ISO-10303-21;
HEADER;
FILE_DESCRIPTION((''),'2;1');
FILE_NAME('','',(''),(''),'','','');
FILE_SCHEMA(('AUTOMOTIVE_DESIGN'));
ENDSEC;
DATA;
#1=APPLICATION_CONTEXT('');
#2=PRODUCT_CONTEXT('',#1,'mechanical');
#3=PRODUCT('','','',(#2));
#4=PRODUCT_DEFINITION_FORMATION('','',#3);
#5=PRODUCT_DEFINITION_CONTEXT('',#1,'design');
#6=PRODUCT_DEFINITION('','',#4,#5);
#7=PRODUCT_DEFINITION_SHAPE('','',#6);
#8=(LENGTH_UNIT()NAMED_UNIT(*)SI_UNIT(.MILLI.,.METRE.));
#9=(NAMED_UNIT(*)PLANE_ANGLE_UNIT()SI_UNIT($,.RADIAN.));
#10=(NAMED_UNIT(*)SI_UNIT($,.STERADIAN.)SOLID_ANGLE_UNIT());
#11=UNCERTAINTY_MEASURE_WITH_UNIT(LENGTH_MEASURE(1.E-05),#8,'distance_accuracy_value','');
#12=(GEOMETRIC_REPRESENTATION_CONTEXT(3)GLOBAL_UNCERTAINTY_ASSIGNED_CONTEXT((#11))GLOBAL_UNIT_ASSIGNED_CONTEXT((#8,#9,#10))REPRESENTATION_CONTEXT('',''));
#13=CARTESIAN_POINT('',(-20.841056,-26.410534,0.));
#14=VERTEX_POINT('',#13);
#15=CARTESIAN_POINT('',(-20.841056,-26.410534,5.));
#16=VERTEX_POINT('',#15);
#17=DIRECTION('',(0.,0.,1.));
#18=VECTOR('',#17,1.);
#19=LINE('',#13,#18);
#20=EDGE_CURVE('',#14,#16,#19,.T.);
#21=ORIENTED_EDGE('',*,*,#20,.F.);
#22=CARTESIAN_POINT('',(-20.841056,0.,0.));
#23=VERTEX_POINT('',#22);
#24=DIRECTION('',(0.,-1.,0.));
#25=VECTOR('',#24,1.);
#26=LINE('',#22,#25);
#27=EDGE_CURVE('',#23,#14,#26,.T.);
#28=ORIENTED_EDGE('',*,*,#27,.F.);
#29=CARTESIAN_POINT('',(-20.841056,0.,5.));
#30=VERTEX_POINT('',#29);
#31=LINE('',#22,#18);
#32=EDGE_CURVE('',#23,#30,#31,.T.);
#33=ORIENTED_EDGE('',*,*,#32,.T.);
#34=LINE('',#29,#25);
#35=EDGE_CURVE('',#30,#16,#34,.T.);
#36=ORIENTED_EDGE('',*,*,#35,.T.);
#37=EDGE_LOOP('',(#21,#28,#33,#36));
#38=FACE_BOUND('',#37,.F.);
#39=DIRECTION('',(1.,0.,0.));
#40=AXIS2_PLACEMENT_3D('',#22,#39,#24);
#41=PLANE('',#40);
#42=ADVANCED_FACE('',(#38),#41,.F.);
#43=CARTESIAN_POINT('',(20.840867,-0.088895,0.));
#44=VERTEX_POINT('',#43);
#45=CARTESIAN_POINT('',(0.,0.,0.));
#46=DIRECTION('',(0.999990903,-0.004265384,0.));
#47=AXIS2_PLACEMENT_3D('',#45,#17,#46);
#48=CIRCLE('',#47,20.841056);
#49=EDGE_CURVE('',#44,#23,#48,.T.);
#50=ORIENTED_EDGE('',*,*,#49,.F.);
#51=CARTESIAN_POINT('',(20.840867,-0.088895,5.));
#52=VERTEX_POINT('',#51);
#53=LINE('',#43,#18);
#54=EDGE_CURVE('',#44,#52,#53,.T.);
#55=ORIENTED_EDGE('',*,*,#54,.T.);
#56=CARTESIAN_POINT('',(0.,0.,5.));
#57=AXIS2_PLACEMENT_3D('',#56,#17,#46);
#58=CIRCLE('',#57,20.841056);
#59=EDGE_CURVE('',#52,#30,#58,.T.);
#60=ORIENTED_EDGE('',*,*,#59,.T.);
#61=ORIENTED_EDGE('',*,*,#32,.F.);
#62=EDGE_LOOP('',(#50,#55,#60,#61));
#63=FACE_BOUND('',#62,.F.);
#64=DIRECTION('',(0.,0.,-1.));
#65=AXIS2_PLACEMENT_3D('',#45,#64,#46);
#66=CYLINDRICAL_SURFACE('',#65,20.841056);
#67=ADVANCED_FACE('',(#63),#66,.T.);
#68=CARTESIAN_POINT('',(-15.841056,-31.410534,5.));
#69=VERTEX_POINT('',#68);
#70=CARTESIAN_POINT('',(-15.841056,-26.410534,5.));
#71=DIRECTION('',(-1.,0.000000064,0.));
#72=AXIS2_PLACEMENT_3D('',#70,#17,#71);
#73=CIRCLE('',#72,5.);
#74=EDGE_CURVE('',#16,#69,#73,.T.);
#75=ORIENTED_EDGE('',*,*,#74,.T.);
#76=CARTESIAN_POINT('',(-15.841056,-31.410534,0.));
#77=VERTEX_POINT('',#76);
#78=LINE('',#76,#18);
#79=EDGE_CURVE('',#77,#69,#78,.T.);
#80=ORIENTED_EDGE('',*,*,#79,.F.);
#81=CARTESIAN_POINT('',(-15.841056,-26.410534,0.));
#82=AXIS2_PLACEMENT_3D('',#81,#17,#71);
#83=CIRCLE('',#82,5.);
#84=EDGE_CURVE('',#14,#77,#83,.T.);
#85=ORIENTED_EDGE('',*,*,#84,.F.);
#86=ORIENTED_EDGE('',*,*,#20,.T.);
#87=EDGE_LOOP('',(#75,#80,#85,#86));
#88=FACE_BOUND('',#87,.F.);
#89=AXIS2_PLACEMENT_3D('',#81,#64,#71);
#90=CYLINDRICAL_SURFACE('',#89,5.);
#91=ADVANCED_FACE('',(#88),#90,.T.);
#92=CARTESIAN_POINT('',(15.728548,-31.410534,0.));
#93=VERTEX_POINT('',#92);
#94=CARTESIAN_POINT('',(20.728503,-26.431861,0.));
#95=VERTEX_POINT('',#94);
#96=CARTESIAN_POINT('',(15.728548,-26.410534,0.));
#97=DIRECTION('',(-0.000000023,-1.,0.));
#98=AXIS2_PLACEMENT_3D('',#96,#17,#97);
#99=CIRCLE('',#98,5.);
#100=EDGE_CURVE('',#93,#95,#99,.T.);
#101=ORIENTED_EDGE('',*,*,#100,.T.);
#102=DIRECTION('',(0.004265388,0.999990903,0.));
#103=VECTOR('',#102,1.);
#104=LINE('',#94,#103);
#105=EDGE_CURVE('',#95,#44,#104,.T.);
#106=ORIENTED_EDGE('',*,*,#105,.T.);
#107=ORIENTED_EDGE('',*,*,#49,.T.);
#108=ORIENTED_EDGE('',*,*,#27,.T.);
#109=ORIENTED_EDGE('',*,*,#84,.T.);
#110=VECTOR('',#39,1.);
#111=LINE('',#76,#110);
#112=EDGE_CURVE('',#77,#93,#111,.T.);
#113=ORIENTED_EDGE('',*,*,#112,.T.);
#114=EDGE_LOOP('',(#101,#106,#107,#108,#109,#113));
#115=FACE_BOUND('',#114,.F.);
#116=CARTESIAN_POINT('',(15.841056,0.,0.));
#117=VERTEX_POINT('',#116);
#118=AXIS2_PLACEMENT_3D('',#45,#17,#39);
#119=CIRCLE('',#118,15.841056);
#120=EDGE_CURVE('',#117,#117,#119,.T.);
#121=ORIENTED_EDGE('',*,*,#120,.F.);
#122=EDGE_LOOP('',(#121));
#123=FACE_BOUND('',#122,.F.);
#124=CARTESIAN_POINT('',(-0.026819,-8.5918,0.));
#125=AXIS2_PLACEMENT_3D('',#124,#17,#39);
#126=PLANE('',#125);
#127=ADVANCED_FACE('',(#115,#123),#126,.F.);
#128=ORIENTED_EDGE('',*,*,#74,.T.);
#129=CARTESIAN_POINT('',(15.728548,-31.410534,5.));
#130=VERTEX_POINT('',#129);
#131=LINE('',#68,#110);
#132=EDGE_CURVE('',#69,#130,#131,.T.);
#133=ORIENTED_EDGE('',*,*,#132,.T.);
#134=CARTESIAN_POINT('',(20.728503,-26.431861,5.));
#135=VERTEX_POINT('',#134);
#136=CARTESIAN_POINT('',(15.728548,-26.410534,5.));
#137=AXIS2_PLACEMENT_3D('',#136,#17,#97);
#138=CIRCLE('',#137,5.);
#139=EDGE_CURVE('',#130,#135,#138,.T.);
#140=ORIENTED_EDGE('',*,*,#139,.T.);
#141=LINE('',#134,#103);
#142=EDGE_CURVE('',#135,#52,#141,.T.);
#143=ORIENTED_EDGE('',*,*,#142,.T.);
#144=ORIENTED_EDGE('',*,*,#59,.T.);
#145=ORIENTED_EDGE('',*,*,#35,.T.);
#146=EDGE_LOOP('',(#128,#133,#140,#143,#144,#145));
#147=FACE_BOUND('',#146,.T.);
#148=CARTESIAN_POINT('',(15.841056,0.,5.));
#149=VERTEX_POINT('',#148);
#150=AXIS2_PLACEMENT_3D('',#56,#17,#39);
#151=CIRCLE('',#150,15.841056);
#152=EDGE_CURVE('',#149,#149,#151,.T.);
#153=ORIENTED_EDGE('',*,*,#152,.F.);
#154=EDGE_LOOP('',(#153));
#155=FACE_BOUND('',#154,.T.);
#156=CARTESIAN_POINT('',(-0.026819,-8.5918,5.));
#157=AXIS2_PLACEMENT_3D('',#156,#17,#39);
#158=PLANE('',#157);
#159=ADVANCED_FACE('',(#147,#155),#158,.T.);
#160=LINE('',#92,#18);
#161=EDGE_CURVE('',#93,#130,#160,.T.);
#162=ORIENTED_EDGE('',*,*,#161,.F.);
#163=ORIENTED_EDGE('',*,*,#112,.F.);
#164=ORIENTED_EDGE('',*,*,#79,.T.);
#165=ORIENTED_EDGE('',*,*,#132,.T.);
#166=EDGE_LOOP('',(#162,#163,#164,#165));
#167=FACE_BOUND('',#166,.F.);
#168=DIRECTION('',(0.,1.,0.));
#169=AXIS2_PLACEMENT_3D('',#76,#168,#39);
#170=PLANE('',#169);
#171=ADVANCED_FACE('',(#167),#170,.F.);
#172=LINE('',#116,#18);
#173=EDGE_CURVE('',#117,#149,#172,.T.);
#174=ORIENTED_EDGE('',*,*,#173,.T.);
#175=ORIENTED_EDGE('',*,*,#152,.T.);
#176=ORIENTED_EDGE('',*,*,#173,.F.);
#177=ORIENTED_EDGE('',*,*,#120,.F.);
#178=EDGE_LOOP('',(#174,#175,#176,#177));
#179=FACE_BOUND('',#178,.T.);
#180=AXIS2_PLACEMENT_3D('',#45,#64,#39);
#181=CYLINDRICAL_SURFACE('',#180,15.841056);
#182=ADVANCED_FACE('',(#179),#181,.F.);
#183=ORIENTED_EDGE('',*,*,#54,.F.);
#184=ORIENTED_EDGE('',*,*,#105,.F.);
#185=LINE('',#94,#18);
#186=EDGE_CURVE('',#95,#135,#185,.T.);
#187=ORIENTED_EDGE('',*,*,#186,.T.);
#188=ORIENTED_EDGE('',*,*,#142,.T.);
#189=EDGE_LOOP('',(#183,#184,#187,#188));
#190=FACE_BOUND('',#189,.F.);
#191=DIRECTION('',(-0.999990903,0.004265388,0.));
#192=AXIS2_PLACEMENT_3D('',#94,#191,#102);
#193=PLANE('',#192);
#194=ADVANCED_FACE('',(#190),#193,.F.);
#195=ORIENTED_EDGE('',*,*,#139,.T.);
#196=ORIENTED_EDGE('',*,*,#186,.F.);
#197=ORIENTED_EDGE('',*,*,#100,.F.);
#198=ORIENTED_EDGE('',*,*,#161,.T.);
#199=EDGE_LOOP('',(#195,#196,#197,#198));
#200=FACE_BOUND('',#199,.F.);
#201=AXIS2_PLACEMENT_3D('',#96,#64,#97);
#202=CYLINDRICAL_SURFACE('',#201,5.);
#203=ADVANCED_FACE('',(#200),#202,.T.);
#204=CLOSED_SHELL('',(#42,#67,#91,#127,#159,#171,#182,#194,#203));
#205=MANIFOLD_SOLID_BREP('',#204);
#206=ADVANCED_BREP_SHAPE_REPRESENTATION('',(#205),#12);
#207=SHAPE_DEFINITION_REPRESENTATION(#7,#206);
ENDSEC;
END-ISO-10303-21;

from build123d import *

# Parameters (mm, degrees)
F0_R     = 15.841056
F1_DEPTH = 5


with BuildPart() as f1:
    # F0 (on Top) → F1 (new body)
    with BuildSketch(Plane.XY):
        with BuildLine():
            Line((20.728503, -26.431861), (20.840867, -0.088895))
            ThreePointArc((20.840867, -0.088895), (0.044448, 20.841009), (-20.841056, 0))
            Line((-20.841056, 0), (-20.841056, -26.410534))
            ThreePointArc((-20.841056, -26.410534), (-19.37659, -29.946068), (-15.841056, -31.410534))
            Line((-15.841056, -31.410534), (15.728548, -31.410534))
            ThreePointArc((15.728548, -31.410534), (19.256534, -29.9536), (20.728503, -26.431861))
        make_face()
        Circle(F0_R, mode=Mode.SUBTRACT)
    extrude(amount=F1_DEPTH)


solid = f1.part
